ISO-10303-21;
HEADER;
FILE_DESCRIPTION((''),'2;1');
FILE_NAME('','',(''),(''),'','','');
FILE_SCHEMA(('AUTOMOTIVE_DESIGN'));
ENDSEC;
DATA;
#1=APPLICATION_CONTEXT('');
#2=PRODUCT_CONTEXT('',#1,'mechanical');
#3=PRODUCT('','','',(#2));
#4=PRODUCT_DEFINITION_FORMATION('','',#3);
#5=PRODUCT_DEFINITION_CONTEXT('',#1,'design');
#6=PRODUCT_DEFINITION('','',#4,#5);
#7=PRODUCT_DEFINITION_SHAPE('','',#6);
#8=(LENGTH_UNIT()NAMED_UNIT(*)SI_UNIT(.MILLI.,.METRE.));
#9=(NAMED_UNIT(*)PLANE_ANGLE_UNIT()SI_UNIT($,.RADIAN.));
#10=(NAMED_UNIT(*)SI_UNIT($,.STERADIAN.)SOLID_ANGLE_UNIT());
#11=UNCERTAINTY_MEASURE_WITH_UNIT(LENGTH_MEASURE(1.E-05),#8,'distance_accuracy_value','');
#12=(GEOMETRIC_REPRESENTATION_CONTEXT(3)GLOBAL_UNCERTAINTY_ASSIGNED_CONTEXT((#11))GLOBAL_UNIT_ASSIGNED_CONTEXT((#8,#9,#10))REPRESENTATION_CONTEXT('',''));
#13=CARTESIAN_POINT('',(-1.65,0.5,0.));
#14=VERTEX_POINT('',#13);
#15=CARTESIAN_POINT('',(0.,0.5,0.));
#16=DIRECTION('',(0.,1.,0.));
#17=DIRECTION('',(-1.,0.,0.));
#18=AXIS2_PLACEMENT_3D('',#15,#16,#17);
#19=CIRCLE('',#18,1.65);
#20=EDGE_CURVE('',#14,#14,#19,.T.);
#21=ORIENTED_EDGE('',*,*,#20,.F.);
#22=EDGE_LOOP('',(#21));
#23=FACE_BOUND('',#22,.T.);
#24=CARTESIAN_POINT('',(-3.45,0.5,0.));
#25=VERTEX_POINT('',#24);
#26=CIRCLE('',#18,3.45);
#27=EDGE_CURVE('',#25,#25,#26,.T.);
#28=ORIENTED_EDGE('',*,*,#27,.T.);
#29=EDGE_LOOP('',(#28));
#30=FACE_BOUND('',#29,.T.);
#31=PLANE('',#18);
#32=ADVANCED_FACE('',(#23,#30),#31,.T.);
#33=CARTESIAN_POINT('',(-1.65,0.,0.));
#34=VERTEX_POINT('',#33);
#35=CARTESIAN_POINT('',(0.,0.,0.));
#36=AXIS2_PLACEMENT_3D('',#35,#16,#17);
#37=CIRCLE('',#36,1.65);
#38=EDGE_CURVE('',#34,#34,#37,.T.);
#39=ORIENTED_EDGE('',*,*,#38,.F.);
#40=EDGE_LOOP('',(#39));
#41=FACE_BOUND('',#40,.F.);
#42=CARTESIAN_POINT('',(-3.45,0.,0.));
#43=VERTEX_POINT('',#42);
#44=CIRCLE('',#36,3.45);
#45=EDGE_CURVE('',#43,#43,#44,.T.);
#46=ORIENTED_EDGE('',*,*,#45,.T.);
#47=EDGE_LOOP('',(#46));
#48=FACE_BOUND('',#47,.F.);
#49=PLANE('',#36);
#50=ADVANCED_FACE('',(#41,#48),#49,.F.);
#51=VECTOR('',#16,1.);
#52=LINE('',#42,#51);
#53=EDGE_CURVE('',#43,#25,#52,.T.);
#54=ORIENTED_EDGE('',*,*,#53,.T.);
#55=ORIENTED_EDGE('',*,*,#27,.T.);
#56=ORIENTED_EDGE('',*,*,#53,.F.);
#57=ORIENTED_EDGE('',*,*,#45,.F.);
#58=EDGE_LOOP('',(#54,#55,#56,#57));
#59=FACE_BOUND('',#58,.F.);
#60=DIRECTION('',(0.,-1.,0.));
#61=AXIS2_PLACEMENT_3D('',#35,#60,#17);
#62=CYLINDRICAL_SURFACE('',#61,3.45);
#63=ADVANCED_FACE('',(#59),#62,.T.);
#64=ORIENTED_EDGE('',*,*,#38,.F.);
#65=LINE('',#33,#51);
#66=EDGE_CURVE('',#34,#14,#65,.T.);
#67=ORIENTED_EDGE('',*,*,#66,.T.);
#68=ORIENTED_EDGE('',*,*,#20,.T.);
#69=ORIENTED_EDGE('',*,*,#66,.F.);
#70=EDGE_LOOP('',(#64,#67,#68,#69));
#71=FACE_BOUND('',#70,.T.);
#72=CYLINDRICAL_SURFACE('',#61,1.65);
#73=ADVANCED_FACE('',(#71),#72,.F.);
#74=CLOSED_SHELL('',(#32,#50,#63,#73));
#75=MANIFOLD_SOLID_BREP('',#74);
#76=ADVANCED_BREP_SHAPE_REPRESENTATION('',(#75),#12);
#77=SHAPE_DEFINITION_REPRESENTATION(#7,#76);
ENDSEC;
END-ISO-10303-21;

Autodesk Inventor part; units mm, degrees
ref_plane "YZ Plane" through (0, 0, 0) normal (1, 0, 0) x (0, 1, 0)
ref_plane "XZ Plane" through (0, 0, 0) normal (0, 1, 0) x (-1, 0, 0)
ref_plane "XY Plane" through (0, 0, 0) normal (0, 0, 1) x (1, 0, 0)
sketch "Sketch1" plane through (0, 0, 0) normal (0, 1, 0) x (-1, 0, 0)
  circle A0 centre (0, 0) radius 3.45
  circle A1 centre (0, 0) radius 1.65
  dimension "d0" = 6.9
  dimension "d1" = 3.3
extrude "Extrusion1" add sketch "Sketch1" along normal blind 0.5
properties part number "m3_washer" material "Stainless Steel"
